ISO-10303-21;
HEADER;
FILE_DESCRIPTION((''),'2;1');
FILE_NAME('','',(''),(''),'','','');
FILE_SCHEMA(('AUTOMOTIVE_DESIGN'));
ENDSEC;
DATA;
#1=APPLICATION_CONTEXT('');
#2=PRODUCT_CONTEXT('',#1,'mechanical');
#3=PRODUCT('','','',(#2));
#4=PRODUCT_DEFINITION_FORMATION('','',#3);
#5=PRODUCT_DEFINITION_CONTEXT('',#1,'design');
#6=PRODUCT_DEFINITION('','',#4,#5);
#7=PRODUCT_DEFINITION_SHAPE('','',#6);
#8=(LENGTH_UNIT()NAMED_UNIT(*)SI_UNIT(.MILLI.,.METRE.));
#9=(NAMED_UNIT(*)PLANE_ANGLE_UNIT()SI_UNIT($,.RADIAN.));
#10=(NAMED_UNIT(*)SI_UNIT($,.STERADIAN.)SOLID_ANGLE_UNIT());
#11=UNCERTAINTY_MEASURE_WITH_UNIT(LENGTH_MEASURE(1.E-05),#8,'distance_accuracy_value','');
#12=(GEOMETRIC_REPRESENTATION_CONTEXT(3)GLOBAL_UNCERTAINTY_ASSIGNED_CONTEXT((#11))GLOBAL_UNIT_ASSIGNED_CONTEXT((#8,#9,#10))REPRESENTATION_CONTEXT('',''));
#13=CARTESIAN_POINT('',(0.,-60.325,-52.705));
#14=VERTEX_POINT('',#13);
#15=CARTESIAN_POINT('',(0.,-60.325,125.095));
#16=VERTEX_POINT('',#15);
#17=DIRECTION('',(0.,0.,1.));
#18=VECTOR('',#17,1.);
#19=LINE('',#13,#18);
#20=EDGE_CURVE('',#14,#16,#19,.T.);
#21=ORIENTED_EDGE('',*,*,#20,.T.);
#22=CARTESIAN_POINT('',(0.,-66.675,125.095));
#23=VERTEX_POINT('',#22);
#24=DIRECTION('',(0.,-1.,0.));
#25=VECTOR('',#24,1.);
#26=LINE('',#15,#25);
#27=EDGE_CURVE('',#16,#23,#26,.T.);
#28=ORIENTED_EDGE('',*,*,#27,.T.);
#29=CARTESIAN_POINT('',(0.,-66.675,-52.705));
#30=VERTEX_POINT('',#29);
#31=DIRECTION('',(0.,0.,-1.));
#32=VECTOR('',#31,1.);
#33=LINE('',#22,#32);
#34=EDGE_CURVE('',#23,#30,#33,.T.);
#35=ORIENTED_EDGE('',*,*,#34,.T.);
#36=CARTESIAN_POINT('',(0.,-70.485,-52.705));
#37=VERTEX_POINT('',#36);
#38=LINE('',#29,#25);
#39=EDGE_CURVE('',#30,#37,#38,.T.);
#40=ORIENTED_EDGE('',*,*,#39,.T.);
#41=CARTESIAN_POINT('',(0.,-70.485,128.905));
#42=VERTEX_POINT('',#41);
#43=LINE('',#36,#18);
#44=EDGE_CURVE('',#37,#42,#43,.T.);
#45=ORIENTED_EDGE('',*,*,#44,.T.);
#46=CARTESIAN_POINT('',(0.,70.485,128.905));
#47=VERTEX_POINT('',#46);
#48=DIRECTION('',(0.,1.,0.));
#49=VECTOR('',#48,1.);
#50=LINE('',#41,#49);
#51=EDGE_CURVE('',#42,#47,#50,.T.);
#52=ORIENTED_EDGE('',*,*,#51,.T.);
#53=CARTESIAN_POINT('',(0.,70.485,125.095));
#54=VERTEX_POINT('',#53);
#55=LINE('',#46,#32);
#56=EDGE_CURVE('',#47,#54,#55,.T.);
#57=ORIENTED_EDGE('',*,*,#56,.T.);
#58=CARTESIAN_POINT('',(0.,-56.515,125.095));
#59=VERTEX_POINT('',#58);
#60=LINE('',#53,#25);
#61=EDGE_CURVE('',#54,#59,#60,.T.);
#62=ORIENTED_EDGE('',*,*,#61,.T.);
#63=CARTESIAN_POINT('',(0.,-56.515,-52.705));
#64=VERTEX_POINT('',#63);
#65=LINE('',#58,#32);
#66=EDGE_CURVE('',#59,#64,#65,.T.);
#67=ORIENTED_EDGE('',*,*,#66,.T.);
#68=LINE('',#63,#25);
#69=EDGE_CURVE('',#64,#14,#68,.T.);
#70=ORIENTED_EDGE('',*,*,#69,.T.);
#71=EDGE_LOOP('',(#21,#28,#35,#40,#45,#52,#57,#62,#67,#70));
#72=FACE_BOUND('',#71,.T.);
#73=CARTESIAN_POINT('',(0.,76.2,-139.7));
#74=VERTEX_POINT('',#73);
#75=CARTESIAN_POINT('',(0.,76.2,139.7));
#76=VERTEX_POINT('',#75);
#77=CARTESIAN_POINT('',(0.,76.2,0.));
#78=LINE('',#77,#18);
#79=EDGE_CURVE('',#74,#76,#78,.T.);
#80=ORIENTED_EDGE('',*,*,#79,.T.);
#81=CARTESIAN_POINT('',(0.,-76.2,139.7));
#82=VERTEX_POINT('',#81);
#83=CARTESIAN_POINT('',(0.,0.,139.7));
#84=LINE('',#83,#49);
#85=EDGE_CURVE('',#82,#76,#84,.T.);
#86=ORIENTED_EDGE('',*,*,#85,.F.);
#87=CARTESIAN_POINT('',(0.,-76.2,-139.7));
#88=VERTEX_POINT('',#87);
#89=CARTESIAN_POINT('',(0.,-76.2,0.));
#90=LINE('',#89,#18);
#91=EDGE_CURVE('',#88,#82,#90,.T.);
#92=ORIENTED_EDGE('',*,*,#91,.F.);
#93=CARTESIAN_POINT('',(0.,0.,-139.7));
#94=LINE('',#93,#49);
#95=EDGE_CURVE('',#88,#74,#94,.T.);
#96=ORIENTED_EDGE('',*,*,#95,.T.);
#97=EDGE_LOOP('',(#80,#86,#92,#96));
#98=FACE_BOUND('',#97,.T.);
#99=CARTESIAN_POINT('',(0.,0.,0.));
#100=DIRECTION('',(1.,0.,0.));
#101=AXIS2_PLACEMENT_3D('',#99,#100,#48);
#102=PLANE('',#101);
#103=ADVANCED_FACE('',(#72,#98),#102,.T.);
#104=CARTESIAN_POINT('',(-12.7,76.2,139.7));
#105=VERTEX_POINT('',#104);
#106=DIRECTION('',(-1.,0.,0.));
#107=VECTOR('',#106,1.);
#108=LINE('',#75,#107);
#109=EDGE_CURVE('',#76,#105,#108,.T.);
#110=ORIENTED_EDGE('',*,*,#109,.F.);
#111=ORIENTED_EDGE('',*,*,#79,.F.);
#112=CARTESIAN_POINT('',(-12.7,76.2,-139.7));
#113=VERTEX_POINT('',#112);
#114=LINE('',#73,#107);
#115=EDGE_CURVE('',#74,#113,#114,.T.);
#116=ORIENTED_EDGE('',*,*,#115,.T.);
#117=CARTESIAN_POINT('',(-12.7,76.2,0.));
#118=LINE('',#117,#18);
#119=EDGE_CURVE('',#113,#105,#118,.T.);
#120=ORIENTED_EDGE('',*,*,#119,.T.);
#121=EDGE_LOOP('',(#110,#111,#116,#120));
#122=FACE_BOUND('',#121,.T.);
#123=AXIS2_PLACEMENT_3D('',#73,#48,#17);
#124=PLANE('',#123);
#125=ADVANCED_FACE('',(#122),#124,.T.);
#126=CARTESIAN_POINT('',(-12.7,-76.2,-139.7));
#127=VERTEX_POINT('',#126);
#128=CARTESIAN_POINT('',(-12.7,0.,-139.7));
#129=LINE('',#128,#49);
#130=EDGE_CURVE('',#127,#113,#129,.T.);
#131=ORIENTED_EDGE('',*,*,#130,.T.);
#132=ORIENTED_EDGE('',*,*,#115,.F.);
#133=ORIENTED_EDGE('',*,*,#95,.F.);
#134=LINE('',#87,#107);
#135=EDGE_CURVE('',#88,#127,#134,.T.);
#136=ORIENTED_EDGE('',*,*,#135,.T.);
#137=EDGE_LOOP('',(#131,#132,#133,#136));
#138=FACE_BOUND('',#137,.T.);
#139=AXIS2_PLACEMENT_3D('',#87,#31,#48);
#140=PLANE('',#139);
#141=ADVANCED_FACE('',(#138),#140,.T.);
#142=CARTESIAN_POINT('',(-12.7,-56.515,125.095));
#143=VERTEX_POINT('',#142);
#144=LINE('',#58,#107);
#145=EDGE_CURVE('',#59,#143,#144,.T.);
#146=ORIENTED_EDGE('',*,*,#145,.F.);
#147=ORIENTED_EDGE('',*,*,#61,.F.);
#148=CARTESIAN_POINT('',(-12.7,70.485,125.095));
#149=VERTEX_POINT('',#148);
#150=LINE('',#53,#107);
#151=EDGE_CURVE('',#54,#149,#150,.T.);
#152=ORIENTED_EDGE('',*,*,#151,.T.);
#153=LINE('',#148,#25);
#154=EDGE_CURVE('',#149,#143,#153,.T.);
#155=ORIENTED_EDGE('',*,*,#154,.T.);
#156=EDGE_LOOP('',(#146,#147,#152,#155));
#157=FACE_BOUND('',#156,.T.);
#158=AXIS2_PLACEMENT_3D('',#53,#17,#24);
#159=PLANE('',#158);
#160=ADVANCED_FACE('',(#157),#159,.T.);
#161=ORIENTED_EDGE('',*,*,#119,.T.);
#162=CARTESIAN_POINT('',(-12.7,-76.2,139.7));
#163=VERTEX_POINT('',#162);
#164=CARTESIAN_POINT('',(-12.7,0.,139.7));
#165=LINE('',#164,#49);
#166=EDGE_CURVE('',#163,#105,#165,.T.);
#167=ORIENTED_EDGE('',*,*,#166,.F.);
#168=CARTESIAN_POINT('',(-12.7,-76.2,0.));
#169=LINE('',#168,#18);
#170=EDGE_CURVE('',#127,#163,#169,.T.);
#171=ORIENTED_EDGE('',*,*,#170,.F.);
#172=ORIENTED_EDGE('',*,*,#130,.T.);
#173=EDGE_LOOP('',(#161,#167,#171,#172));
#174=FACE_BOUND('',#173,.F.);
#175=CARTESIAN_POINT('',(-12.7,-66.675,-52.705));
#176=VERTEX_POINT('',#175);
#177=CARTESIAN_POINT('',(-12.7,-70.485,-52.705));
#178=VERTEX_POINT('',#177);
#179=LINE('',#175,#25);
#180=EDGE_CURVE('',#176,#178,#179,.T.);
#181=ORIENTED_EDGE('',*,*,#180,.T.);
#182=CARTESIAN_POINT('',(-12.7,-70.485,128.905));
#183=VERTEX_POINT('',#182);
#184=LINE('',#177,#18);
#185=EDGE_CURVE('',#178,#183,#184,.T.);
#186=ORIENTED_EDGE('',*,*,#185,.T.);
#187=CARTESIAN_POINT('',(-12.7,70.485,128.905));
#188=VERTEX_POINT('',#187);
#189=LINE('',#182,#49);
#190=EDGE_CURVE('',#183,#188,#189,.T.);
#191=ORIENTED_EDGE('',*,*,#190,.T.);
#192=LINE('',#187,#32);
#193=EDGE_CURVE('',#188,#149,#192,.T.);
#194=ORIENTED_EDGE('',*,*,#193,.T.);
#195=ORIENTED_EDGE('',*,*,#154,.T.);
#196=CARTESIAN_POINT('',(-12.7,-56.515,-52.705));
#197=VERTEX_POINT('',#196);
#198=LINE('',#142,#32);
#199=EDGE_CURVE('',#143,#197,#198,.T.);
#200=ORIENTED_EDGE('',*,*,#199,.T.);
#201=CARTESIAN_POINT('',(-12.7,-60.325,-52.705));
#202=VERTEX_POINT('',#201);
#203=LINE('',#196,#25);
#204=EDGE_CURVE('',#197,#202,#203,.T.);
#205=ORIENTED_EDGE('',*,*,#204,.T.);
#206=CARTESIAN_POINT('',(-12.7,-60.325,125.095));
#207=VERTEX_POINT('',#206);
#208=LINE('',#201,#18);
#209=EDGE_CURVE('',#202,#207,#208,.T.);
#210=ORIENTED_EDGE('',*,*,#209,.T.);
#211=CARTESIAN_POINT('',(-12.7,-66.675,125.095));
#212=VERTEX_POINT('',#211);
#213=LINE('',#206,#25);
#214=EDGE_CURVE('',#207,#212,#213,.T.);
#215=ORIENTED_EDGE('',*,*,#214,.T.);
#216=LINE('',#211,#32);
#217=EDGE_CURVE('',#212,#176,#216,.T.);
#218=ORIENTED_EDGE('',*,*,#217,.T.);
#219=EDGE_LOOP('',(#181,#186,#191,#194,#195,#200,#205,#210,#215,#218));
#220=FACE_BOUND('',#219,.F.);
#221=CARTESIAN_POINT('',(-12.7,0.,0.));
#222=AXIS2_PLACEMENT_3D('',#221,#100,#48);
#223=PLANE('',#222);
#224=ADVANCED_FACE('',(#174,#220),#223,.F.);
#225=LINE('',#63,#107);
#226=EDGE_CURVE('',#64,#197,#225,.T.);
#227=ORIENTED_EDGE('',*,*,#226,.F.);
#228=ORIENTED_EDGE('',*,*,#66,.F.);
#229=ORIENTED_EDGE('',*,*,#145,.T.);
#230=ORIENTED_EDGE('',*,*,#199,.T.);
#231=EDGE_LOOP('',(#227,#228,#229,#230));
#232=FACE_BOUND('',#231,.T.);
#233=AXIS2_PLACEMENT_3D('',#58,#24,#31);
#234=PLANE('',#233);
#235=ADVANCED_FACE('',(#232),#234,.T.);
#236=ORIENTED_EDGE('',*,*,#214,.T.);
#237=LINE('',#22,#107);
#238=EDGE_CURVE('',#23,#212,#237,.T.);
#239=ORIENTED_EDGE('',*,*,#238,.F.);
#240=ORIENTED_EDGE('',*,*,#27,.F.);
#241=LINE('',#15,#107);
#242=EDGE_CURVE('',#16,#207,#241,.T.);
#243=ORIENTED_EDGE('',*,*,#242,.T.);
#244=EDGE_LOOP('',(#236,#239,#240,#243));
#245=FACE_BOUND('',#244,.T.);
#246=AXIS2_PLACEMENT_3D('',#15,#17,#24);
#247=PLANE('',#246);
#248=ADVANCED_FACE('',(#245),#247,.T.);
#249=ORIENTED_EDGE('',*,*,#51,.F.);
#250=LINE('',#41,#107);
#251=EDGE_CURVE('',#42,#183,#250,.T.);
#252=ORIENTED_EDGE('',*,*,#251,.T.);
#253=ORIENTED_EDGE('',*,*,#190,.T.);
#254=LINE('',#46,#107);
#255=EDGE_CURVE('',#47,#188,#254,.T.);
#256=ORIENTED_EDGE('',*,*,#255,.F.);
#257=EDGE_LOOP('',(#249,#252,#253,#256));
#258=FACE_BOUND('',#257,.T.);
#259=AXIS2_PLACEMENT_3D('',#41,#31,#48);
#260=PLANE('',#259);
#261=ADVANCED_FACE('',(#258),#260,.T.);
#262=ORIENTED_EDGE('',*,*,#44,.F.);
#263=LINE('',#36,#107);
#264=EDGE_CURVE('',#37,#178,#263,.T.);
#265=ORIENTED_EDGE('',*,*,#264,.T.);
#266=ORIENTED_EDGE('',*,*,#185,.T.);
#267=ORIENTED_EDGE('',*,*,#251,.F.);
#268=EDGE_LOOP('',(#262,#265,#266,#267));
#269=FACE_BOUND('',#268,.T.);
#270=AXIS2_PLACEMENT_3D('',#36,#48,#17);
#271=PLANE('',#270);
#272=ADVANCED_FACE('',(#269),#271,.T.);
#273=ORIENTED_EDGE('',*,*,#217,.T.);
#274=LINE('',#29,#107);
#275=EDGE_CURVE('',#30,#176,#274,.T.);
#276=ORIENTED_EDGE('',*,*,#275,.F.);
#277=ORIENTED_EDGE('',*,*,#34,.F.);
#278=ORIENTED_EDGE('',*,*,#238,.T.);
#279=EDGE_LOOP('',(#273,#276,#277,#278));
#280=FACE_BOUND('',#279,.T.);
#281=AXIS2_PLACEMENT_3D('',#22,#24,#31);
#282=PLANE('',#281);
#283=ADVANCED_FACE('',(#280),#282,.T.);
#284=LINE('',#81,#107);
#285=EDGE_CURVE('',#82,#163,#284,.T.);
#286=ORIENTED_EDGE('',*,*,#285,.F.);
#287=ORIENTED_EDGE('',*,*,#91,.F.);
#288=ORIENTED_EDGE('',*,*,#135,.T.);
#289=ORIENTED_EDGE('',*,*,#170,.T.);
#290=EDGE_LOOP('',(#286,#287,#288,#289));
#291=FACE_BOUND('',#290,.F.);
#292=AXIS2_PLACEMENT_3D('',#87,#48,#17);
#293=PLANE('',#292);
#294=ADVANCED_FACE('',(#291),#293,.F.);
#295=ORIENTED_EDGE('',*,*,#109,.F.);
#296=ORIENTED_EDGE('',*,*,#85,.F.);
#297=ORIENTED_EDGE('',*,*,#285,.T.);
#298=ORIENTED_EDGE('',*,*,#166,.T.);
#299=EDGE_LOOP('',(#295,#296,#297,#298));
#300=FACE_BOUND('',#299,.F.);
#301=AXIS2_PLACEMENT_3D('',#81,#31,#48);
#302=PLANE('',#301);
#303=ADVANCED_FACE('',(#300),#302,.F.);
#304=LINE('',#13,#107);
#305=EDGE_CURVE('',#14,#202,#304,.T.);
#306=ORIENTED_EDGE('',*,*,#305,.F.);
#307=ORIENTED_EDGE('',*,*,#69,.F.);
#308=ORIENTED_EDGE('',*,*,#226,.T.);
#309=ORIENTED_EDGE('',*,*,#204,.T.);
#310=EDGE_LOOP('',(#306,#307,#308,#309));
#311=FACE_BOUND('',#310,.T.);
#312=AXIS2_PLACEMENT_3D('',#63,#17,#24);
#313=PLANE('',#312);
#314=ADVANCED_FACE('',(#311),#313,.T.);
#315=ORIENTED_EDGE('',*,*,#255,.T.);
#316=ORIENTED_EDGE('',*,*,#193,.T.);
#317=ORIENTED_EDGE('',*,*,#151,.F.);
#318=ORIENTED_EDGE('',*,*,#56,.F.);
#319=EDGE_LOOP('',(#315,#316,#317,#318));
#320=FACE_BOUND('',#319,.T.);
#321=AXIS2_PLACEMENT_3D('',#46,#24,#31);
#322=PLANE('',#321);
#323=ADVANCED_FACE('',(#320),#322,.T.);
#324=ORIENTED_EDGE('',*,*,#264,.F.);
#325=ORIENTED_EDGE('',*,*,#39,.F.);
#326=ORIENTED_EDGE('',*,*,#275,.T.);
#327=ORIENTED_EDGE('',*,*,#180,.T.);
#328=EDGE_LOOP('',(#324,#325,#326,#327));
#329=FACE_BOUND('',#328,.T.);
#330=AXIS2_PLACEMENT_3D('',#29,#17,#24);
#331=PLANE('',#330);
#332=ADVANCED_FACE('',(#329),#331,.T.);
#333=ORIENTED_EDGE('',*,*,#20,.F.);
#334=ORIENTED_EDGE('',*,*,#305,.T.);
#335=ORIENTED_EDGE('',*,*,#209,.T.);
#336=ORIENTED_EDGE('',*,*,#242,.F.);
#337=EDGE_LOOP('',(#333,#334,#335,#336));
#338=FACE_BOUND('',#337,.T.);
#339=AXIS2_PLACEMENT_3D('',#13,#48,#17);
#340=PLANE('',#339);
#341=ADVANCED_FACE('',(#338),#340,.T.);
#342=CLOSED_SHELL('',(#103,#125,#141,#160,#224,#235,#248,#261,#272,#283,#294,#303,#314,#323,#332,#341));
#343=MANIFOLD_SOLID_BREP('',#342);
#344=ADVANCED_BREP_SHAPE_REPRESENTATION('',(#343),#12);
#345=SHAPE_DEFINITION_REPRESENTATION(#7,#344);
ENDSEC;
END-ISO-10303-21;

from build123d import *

# Parameters (mm, degrees)
F0_W     = 152.4
F0_H     = 279.4
F1_DEPTH = 12.7


with BuildPart() as f1:
    # F0 (on Right) → F1 (new body)
    with BuildSketch(Plane.YZ):
        Rectangle(F0_W, F0_H)
        Polygon((-66.675, -52.705), (-70.485, -52.705), (-70.485, 125.095), (-70.485, 128.905), (-66.675, 128.905), (-60.325, 128.905), (-56.515, 128.905), (70.485, 128.905), (70.485, 125.095), (-56.515, 125.095), (-56.515, 112.395), (-56.515, -52.705), (-60.325, -52.705), (-60.325, -40.005), (-60.325, 112.395), (-60.325, 125.095), (-66.675, 125.095), align=None, mode=Mode.SUBTRACT)
    extrude(amount=-F1_DEPTH)


solid = f1.part
